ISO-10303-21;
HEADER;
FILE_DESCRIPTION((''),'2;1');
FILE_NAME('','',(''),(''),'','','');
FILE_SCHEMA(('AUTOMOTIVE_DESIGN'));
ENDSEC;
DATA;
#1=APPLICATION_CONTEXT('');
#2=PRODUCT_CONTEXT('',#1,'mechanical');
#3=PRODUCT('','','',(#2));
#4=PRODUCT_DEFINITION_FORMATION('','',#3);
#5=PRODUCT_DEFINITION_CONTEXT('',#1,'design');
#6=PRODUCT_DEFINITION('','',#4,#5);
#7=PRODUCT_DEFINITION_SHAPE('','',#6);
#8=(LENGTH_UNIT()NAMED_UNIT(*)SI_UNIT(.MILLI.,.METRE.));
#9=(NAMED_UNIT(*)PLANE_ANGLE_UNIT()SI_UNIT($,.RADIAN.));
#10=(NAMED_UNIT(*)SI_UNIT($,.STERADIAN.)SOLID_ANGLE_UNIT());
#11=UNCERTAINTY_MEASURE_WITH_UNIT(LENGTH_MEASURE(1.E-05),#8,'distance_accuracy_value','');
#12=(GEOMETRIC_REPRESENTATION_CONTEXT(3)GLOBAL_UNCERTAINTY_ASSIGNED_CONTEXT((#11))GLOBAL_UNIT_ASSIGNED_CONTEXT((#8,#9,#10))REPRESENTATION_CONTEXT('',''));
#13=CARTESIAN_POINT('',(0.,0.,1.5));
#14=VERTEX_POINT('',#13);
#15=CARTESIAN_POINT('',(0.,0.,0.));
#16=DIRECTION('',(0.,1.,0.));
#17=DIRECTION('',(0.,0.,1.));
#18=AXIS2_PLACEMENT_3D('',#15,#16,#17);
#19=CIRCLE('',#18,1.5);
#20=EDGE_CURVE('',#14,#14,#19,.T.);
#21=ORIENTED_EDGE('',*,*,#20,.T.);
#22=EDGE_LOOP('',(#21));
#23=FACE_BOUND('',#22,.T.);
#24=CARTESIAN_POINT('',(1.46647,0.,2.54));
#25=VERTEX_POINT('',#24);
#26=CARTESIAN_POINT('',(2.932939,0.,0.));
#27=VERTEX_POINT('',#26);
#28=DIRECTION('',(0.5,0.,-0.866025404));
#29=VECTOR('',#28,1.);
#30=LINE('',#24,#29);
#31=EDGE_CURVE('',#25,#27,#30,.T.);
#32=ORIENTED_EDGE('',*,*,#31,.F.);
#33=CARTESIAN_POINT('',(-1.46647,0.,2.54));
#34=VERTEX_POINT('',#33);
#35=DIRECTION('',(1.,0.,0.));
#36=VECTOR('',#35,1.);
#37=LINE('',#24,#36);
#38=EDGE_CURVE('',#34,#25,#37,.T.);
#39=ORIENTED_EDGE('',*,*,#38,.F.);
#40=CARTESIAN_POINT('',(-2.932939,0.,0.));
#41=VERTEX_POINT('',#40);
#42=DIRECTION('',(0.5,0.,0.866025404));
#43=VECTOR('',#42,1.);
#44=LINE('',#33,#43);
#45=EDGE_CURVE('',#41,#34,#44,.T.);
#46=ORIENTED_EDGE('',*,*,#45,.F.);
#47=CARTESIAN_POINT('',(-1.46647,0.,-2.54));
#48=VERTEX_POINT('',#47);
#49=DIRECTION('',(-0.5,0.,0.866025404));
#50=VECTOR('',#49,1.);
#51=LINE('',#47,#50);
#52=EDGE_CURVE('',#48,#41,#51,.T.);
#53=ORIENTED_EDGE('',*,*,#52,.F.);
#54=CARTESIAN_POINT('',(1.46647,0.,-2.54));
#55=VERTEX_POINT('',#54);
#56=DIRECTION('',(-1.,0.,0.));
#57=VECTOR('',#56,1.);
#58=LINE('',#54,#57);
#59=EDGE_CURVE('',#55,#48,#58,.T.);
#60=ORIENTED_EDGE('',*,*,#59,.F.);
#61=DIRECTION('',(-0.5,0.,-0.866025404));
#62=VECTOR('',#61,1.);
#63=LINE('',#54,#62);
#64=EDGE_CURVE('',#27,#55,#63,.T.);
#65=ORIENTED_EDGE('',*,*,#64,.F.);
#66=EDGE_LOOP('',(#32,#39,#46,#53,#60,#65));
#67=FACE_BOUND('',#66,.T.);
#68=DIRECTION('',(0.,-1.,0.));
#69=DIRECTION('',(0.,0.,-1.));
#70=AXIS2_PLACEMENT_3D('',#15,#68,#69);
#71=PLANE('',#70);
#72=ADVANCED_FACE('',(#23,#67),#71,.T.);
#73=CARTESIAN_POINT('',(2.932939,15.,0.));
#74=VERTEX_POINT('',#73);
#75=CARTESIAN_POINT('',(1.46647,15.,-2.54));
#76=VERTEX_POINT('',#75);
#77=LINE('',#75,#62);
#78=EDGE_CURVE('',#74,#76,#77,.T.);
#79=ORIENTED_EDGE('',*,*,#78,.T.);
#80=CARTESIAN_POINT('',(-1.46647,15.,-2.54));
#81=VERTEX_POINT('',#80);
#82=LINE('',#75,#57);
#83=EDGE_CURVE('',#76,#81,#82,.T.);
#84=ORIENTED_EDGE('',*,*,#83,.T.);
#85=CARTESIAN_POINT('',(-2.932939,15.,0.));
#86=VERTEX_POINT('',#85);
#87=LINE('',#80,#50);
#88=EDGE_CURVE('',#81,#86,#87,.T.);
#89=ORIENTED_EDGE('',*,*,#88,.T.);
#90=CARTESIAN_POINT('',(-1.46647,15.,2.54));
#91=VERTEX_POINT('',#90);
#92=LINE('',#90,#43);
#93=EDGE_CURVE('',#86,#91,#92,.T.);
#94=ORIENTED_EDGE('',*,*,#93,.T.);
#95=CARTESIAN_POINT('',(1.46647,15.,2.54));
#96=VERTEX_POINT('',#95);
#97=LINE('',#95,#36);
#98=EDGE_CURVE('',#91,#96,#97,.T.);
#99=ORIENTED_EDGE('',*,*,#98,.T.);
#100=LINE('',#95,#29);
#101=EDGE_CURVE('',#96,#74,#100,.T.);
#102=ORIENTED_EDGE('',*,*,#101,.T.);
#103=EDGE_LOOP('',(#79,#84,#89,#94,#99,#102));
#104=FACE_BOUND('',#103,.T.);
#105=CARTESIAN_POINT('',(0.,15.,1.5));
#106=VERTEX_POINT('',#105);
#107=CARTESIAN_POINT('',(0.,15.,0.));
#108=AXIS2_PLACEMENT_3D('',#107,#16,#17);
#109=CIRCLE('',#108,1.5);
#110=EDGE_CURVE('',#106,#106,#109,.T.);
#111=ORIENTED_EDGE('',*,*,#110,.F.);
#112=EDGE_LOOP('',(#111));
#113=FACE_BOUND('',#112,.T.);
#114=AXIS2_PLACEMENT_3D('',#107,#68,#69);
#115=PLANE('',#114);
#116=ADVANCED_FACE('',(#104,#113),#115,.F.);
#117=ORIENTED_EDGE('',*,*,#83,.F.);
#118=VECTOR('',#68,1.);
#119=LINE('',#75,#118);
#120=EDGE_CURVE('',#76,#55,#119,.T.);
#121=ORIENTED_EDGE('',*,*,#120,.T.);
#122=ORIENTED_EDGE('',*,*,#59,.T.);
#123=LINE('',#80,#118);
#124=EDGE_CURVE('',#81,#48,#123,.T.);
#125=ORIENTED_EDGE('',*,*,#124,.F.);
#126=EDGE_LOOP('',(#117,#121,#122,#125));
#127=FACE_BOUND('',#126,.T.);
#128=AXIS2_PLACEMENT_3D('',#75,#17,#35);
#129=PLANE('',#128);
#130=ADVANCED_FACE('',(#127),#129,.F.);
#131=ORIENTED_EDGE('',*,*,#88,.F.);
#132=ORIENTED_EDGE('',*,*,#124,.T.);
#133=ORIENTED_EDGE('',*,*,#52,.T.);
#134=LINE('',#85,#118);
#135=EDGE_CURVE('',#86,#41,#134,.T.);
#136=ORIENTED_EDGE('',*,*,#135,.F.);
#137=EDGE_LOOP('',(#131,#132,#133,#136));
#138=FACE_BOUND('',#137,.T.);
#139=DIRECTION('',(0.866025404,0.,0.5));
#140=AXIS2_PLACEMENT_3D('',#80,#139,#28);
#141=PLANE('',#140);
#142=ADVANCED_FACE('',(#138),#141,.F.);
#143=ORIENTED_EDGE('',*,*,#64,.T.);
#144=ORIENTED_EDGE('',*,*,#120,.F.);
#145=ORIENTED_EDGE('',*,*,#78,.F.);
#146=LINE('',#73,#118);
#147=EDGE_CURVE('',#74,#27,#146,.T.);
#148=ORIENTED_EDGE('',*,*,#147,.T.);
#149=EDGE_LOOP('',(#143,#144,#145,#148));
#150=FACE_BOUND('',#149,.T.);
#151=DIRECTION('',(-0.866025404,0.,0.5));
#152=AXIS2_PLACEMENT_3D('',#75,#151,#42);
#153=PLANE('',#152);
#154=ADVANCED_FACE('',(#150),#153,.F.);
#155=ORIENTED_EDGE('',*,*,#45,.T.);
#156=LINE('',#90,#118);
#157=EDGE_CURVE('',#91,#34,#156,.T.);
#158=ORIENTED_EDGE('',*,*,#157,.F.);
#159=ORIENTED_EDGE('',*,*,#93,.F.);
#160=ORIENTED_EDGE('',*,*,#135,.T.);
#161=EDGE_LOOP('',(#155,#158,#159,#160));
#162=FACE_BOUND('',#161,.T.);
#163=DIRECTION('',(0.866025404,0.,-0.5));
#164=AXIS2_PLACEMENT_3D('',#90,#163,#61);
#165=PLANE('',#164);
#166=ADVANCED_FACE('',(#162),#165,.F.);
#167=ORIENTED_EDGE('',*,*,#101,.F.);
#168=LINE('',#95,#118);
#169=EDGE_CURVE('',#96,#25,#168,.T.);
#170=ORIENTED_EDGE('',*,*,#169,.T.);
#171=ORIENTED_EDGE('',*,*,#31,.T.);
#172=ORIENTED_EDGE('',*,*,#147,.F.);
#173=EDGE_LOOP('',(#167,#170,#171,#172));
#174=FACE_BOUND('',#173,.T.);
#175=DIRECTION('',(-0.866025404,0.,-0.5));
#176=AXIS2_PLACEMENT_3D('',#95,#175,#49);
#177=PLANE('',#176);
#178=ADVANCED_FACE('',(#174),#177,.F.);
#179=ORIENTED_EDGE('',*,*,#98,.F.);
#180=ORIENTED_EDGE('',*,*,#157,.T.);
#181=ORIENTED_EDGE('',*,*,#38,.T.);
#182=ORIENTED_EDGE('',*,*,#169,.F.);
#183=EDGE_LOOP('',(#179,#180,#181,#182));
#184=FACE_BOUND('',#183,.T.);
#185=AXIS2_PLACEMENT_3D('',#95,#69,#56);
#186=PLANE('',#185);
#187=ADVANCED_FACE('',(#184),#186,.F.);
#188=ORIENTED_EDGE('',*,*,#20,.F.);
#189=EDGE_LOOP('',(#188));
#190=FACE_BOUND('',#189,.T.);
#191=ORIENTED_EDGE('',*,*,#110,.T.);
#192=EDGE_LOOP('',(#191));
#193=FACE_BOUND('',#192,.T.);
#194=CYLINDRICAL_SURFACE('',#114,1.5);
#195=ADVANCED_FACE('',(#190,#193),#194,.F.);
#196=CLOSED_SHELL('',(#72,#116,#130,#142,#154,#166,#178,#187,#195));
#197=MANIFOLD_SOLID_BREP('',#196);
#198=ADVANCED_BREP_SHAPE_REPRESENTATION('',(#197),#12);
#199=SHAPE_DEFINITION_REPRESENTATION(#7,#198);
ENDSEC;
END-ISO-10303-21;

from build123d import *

# Parameters (mm, degrees)
SKETCH1_R           = 1.5
BOSS_EXTRUDE1_DEPTH = 15


with BuildPart() as part:
    # Sketch1 → Boss-Extrude1 (new body)
    with BuildSketch(Plane(origin=(0, 0, 0), x_dir=(1, 0, 0), z_dir=(0, 1, 0))):
        Polygon((1.466469684, 2.54), (-1.466469684, 2.54), (-2.932939367, 0), (-1.466469684, -2.54), (1.466469684, -2.54), (2.932939367, 0), align=None)
        with Locations(Location((0, 0, 0), (0, 0, 270))):
            Circle(SKETCH1_R, mode=Mode.SUBTRACT)
    extrude(amount=BOSS_EXTRUDE1_DEPTH)


solid = part.part
